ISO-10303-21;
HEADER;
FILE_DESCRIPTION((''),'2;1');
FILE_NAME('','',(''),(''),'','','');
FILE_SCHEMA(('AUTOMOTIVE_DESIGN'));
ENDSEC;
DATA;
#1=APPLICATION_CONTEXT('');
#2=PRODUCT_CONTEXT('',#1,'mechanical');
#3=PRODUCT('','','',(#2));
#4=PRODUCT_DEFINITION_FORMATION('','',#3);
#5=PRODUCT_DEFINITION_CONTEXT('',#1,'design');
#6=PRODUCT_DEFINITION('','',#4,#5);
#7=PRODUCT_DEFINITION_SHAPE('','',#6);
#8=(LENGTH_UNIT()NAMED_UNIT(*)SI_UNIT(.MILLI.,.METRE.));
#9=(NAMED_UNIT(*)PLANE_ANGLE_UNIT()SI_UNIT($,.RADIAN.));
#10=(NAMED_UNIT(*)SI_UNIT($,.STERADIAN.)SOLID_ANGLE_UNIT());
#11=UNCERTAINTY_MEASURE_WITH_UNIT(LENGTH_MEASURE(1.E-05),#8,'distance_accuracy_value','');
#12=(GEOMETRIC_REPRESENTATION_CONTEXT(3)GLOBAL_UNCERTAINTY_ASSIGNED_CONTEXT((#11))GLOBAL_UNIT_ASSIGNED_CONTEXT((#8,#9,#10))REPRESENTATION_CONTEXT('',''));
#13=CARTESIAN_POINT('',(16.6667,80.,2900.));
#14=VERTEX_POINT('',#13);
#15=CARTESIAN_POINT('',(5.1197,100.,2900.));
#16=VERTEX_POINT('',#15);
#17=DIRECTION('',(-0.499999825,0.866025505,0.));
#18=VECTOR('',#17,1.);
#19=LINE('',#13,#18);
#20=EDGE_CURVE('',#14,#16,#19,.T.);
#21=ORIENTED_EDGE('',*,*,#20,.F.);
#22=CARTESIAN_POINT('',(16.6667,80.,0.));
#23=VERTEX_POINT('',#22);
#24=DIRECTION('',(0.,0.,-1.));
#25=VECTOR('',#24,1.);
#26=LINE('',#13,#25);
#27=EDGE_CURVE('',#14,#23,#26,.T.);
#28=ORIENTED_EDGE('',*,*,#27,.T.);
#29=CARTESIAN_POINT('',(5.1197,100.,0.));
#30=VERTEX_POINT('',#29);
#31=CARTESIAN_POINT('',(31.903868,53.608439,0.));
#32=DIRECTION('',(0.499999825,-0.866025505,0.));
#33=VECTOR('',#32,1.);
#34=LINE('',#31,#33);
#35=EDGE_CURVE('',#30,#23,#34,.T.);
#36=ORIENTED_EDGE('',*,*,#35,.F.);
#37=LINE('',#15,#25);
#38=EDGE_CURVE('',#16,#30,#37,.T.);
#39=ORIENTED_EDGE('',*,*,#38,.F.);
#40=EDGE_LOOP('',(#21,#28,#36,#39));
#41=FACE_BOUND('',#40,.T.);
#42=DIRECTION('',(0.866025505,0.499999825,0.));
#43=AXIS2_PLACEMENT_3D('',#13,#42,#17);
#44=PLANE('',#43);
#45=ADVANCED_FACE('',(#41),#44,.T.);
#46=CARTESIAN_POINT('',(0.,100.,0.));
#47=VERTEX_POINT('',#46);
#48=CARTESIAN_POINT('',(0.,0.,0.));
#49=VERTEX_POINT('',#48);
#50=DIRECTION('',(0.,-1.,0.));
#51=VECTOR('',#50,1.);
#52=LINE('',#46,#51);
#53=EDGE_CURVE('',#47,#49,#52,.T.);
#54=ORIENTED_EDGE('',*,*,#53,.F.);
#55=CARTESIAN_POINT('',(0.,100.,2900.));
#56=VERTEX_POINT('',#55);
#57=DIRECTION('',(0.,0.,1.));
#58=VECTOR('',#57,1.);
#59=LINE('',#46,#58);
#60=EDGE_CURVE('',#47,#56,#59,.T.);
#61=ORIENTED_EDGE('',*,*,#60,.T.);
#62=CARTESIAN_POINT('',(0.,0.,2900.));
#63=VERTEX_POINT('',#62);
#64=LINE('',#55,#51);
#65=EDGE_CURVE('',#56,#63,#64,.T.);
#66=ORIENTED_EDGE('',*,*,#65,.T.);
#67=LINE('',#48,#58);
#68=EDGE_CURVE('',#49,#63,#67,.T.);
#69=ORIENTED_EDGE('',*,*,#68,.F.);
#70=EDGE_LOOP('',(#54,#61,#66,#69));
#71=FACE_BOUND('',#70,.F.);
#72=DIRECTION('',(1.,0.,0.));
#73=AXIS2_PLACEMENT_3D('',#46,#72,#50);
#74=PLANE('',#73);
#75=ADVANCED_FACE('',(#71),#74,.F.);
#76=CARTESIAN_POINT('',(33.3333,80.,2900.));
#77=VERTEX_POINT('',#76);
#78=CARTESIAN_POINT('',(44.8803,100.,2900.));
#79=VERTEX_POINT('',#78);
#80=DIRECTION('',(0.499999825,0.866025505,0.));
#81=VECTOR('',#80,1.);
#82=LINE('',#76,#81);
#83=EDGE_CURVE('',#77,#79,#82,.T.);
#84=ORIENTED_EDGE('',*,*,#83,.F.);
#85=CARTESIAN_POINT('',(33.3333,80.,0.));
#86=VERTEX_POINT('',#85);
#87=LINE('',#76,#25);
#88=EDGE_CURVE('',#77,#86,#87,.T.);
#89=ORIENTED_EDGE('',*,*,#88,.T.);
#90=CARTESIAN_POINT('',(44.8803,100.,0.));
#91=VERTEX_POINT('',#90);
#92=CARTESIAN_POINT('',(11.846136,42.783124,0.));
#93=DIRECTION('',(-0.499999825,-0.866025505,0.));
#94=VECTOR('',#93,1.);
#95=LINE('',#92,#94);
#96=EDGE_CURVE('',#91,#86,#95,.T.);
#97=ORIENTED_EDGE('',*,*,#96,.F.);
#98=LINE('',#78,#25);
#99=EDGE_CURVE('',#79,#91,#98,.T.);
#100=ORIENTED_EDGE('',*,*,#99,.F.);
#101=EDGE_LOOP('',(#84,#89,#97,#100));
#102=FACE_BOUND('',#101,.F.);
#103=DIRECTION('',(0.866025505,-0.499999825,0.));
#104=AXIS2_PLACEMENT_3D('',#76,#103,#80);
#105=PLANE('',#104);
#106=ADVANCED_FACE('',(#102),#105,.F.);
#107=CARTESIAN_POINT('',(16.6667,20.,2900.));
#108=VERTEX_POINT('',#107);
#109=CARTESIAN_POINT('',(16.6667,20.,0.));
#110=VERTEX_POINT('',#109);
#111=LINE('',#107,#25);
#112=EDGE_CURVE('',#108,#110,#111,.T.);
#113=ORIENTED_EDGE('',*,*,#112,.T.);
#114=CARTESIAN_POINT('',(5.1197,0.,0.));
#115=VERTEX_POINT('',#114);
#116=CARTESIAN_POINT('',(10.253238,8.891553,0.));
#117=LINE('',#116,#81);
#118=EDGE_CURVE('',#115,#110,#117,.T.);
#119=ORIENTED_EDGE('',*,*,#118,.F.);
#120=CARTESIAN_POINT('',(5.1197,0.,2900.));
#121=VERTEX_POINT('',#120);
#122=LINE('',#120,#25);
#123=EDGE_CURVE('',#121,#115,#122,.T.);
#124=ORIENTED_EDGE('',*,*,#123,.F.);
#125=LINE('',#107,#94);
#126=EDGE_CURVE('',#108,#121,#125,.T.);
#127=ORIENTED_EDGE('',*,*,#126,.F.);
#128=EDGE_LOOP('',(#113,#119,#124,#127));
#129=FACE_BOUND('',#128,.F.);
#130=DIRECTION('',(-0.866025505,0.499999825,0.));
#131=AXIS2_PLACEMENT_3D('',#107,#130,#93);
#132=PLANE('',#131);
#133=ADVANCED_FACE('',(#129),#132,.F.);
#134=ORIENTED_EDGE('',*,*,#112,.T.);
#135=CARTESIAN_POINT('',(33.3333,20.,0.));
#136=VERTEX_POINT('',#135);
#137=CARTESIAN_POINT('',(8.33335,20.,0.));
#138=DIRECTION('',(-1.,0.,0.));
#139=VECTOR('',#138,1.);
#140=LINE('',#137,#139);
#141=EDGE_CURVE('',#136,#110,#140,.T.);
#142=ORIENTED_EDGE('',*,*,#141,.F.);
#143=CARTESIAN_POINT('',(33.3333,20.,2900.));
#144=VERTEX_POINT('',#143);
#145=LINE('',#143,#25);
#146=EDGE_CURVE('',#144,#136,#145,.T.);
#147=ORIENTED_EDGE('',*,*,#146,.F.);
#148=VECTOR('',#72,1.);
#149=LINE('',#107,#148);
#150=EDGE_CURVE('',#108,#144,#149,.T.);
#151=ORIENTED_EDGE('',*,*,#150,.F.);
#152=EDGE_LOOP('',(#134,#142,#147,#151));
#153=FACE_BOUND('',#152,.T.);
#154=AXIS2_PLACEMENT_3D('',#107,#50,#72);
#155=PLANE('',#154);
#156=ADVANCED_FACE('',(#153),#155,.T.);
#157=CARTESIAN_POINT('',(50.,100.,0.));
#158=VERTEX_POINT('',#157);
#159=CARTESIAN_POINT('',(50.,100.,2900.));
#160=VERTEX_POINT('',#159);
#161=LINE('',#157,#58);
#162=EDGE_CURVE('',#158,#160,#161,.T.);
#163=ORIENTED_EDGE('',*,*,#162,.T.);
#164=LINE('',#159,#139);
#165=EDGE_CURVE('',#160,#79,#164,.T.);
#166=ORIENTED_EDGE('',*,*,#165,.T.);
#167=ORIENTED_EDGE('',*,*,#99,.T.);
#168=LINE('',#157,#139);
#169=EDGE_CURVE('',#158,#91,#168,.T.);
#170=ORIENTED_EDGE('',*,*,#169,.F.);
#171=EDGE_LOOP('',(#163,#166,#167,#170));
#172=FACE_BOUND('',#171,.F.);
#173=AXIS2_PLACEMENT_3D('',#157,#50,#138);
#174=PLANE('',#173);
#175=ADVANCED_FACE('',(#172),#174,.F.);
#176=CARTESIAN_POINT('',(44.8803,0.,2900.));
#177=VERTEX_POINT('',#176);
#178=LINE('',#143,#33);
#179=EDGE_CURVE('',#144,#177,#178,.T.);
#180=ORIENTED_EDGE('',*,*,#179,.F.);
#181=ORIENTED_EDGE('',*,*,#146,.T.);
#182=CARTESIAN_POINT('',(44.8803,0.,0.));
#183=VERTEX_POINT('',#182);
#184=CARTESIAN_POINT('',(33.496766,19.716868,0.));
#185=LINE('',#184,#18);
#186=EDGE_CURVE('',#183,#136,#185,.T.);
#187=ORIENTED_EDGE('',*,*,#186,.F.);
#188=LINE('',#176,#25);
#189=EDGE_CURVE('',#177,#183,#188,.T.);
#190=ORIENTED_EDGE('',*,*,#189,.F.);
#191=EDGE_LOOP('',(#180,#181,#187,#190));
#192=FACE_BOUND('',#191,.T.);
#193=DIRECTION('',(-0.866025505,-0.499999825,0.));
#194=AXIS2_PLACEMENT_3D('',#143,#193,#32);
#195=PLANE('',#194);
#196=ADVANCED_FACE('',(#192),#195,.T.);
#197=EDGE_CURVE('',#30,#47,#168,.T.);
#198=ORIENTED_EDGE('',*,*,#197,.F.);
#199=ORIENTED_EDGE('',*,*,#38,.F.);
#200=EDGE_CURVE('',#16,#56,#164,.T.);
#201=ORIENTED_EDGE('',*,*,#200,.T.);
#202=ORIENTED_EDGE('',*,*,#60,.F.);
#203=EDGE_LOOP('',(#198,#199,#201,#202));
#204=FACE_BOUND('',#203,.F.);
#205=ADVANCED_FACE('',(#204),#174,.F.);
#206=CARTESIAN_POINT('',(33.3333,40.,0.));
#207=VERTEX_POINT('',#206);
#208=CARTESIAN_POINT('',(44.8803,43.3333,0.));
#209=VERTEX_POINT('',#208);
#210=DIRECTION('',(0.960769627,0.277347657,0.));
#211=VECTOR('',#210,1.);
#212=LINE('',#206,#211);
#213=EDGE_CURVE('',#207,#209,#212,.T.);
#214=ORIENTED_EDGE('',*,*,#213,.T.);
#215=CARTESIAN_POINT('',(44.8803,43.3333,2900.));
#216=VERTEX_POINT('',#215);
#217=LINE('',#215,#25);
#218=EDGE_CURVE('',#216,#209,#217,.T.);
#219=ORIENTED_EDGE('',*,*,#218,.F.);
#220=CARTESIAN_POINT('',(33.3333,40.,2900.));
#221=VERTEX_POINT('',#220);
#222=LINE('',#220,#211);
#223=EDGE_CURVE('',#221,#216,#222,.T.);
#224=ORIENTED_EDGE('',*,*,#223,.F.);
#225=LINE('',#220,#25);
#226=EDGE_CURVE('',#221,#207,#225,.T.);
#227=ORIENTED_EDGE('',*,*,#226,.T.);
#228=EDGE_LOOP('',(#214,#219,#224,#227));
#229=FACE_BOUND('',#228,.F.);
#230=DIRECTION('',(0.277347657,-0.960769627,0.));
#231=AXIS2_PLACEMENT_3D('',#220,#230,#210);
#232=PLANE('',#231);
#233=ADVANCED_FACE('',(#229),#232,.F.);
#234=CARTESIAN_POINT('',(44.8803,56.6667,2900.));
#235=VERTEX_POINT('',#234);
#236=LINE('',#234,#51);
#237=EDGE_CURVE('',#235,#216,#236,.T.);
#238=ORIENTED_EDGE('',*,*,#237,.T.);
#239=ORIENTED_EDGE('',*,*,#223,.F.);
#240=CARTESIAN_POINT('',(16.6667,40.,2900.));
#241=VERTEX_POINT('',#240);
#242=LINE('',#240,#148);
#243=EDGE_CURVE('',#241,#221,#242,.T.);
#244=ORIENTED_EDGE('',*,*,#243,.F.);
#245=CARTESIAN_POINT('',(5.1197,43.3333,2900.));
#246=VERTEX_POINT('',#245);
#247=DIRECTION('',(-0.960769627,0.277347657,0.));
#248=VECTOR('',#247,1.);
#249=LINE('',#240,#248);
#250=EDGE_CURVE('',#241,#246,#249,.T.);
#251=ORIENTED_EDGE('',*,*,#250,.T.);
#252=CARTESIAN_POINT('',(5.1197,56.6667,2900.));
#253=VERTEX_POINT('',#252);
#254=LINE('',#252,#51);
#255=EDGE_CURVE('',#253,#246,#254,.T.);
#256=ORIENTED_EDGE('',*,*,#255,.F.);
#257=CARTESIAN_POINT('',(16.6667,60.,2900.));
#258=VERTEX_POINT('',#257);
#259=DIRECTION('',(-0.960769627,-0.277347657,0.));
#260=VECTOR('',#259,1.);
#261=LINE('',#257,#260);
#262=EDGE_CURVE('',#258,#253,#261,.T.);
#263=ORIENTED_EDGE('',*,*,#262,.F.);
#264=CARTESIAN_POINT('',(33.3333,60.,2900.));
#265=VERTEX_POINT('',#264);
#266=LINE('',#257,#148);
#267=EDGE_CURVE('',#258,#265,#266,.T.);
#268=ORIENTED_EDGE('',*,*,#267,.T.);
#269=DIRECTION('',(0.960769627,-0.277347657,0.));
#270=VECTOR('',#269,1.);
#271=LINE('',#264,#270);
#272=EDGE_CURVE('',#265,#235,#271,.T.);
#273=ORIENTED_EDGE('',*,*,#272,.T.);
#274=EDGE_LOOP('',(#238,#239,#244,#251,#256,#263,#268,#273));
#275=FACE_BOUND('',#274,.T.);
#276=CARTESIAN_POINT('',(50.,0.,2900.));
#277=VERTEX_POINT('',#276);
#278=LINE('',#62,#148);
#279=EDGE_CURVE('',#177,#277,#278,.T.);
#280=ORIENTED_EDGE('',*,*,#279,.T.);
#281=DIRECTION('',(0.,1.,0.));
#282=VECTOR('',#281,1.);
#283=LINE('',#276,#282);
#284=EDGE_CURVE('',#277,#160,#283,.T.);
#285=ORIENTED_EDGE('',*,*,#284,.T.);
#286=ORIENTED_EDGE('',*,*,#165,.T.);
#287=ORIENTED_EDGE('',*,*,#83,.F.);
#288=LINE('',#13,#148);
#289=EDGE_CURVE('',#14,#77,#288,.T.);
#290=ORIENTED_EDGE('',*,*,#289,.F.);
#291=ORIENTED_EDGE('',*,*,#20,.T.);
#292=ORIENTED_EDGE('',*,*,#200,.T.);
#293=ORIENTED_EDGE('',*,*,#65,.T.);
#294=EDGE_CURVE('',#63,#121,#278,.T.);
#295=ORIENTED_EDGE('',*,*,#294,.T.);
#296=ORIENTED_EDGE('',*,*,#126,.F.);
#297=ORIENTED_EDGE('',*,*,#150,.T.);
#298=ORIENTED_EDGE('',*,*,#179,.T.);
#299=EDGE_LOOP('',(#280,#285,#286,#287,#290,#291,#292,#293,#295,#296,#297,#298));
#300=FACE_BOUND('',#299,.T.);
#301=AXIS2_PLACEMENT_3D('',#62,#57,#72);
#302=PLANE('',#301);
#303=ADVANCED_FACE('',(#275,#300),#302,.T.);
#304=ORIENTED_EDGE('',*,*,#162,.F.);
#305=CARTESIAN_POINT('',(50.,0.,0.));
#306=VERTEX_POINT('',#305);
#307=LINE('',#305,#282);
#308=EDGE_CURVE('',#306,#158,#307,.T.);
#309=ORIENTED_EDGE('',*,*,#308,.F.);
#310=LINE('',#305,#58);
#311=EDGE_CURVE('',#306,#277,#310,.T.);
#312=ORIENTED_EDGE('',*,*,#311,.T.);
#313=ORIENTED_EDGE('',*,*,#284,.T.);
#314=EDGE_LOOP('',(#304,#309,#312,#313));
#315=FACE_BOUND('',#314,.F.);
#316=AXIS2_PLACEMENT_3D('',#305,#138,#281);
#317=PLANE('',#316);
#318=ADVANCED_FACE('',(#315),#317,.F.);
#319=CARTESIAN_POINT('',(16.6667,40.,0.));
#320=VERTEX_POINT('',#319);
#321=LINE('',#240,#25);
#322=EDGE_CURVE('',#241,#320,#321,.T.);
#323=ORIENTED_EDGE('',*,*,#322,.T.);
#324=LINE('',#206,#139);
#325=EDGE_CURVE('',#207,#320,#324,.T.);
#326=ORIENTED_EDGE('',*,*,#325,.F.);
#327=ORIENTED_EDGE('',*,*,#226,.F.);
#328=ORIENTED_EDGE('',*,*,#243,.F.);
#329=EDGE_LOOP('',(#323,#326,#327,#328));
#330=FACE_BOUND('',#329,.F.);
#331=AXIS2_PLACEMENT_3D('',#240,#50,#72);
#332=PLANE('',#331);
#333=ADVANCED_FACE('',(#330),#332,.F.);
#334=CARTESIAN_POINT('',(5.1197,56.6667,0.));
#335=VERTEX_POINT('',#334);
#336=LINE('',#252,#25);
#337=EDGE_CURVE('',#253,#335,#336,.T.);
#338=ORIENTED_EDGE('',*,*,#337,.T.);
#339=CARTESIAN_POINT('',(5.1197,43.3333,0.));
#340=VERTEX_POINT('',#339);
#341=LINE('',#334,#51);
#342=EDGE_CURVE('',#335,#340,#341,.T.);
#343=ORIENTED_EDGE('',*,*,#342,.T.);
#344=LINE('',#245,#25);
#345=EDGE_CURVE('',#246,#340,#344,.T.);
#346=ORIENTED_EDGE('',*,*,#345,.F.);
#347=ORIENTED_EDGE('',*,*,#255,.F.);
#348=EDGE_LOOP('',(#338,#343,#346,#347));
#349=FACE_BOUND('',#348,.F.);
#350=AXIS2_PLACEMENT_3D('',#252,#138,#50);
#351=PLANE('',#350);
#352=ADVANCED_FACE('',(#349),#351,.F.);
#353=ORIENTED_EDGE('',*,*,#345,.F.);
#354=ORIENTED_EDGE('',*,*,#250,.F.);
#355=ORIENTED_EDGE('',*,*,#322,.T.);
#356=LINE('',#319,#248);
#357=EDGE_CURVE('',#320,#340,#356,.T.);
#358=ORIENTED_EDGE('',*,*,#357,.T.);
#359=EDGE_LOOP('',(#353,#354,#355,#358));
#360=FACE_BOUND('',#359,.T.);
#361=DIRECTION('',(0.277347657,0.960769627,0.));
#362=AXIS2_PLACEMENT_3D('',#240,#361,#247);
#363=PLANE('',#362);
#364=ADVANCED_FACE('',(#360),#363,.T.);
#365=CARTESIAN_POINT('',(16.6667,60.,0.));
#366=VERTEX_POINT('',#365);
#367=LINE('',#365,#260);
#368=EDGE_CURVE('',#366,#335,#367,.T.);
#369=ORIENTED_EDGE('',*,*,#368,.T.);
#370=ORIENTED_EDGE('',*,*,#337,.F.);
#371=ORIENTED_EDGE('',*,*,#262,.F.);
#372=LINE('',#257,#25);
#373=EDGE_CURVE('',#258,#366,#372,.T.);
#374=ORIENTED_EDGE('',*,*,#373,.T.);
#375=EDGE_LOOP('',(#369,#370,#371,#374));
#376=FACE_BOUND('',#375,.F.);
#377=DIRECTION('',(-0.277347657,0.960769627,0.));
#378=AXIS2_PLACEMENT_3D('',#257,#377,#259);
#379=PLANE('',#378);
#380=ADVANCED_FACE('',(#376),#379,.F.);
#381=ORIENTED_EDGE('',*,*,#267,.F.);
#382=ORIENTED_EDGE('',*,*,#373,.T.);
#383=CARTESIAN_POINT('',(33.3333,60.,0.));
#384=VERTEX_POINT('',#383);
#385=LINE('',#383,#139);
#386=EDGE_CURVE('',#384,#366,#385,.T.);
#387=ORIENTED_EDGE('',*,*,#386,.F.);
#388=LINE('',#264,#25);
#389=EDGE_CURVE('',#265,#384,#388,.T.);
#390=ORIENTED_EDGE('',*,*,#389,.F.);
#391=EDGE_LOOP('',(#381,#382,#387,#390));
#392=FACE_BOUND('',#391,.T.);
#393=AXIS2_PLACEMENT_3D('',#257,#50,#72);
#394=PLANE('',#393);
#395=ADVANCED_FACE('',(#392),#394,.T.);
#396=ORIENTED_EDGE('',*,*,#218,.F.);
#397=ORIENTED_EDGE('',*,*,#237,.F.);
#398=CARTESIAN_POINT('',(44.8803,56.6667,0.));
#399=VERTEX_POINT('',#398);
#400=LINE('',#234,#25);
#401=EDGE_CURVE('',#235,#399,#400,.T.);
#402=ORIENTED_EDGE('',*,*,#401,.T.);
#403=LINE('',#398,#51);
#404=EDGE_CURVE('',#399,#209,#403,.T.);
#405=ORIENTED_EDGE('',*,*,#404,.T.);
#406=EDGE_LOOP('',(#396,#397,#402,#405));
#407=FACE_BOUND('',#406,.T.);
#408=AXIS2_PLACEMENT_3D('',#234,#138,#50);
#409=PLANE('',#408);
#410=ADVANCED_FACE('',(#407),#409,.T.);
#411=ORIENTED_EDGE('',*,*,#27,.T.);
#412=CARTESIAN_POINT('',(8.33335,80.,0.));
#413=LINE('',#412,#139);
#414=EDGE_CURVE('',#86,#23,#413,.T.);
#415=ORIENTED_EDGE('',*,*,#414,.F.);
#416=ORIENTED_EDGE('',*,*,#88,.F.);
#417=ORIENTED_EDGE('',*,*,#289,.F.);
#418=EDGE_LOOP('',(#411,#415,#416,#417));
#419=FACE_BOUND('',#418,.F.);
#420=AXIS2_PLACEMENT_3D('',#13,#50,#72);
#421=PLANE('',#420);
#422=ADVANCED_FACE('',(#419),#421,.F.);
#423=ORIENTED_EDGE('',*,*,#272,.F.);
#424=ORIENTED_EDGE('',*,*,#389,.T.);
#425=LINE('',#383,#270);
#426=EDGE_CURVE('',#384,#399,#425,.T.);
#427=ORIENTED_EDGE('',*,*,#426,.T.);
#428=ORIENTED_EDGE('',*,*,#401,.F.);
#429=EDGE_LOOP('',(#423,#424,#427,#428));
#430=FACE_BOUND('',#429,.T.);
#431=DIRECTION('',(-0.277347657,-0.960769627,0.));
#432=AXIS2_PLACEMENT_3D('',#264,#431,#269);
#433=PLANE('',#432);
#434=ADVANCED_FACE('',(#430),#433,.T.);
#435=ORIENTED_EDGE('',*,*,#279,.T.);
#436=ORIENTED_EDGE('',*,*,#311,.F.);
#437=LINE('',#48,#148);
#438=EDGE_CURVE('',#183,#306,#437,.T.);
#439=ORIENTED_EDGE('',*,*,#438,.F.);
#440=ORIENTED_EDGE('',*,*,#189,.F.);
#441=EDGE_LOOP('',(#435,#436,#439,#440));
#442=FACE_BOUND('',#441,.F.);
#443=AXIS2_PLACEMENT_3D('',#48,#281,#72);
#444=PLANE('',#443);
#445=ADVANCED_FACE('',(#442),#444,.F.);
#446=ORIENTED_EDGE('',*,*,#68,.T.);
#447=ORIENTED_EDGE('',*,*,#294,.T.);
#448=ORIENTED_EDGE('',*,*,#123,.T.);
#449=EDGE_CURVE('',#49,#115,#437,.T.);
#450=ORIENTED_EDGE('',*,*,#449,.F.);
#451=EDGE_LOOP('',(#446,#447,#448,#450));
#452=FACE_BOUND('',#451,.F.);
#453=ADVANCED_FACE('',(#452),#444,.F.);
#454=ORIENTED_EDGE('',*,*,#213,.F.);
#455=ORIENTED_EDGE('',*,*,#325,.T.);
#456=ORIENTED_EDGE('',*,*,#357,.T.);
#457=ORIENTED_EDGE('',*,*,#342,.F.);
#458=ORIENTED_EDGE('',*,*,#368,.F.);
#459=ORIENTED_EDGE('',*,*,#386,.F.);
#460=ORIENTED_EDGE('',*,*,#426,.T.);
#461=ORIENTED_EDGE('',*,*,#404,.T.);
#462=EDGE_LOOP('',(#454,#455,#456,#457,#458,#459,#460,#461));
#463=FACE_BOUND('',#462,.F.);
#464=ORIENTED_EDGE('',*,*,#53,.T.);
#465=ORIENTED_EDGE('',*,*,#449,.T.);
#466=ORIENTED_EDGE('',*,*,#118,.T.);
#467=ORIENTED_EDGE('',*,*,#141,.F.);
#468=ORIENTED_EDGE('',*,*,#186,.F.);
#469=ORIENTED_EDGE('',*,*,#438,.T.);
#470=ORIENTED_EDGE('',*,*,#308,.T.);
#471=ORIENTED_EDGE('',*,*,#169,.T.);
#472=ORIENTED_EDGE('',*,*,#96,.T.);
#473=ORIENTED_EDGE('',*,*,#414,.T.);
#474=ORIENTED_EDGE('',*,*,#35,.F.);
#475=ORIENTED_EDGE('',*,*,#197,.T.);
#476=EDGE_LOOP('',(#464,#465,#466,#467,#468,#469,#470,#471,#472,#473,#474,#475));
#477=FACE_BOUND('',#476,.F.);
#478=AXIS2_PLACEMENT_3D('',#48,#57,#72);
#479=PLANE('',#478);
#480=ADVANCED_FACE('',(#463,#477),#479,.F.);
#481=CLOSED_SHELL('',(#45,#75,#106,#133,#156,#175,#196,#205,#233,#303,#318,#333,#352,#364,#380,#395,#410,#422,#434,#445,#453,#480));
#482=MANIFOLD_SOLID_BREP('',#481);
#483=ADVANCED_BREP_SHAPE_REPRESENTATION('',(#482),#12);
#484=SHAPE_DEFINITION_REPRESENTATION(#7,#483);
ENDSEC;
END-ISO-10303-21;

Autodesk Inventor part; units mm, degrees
ref_plane "YZ Plane" through (0, 0, 0) normal (1, 0, 0) x (0, 1, 0)
ref_plane "XZ Plane" through (0, 0, 0) normal (0, 1, 0) x (-1, 0, 0)
ref_plane "XY Plane" through (0, 0, 0) normal (0, 0, 1) x (1, 0, 0)
sketch "Sketch1" plane through (0, 0, 0) normal (0, 0, 1) x (1, 0, 0)
  line L0 (0, 0) -> (50, 0)
  line L1 (50, 0) -> (50, 100)
  line L2 (50, 100) -> (0, 100)
  line L3 (0, 100) -> (0, 0)
  dimension "d0" = 50
  dimension "d1" = 100
extrude "Extrusion1" add sketch "Sketch1" along normal blind 2900
sketch "Sketch2" plane through (0, 0, 2900) normal (0, 0, 1) x (1, 0, 0)
  line L0 (0, 0) -> (50, 0) projected
  line L1 (50, 0) -> (50, 100) projected
  line L2 (50, 100) -> (0, 100) projected
  line L3 (0, 100) -> (0, 0) projected
  line L4 (16.6667, 80) -> (33.3333, 80)
  line L5 (16.6667, 80) -> (43.3333, 80) construction
  line L6 (16.6667, 80) -> (5.1197, 100)
  line L7 (50, 100) -> (0, 100) projected
  line L8 (16.6667, 80) -> (39.7607, 80) construction
  line L9 (33.3333, 80) -> (44.8803, 100)
  line L10 (33.3333, 80) -> (56.4273, 80) construction
  line L11 (44.8803, 100) -> (5.1197, 100)
  line L12 (0, 50) -> (50, 50)
  line L13 (50, 0) -> (50, 100) projected
  line L14 (16.6667, 20) -> (33.3333, 20)
  line L15 (16.6667, 20) -> (5.1197, 0)
  line L16 (33.3333, 20) -> (44.8803, 0)
  line L17 (44.8803, 0) -> (5.1197, 0)
  dimension "d4" = 50
  dimension "d5" = 16.6667
  dimension "d6" = 100
  dimension "d7" = 20
  dimension "d8" = 16.6667
  dimension "d11" = 120
  dimension "d12" = 60
  dimension "d13" = 50
extrude "Extrusion2" cut sketch "Sketch2" against normal up to next contours L15 L14 L16 L0 | L2 L9 L4 L6
sketch "Sketch3" plane through (0, 0, 2900) normal (0, 0, 1) x (1, 0, 0)
  line L0 (33.3333, 80) -> (16.6667, 80) projected
  line L1 (16.6667, 60) -> (33.3333, 60)
  line L2 (0, 100) -> (0, 0) projected
  line L3 (16.6667, 20) -> (33.3333, 20) projected
  line L4 (50, 100) -> (44.8803, 100) projected
  line L5 (16.6667, 40) -> (33.3333, 40)
  line L6 (5.1197, 56.6667) -> (5.1197, 43.3333)
  line L7 (25, 80) -> (25, 20)
  line L8 (16.6667, 60) -> (5.1197, 56.6667)
  line L9 (16.6667, 40) -> (5.1197, 43.3333)
  line L10 (44.8803, 56.6667) -> (44.8803, 43.3333)
  line L11 (33.3333, 60) -> (44.8803, 56.6667)
  line L12 (33.3333, 40) -> (44.8803, 43.3333)
  dimension "d16" = 16.6667
  dimension "d17" = 16.6667
  dimension "d18" = 16.6667
  dimension "d19" = 16.6667
  dimension "d20" = 20
  dimension "d21" = 20
  dimension "d22" = 100
  dimension "d23" = 16.6667
  dimension "d25" = 40
  dimension "d26" = 16.6667
  dimension "d27" = 13.3333
  dimension "d28" = 3.3333
extrude "Extrusion3" cut sketch "Sketch3" against normal blind 2900
equation "\"d1\" = 2 * d0"
equation "\"d5\" = 0.333333 * d4"
equation "\"d7\" = 0.2 * d6"
equation "\"d8\" = -0.5 * d5 + 0.5 * d4"
equation "\"d13\" = 0.5 * d6"
equation "\"d17\" = d16"
equation "\"d19\" = d18"
equation "\"d21\" = 0.5 * d22 - 1.5 * d20"
equation "\"d23\" = d24"
equation "\"d25\" = -0.5 * d20 + 0.5 * d22"
equation "\"d26\" = d16"
equation "\"d27\" = 0.666667 * d21"
equation "\"d28\" = -0.5 * d27 + 0.5 * d21"
equation "\"d24\" = 16.666667"
properties part number "wheelRoad"
